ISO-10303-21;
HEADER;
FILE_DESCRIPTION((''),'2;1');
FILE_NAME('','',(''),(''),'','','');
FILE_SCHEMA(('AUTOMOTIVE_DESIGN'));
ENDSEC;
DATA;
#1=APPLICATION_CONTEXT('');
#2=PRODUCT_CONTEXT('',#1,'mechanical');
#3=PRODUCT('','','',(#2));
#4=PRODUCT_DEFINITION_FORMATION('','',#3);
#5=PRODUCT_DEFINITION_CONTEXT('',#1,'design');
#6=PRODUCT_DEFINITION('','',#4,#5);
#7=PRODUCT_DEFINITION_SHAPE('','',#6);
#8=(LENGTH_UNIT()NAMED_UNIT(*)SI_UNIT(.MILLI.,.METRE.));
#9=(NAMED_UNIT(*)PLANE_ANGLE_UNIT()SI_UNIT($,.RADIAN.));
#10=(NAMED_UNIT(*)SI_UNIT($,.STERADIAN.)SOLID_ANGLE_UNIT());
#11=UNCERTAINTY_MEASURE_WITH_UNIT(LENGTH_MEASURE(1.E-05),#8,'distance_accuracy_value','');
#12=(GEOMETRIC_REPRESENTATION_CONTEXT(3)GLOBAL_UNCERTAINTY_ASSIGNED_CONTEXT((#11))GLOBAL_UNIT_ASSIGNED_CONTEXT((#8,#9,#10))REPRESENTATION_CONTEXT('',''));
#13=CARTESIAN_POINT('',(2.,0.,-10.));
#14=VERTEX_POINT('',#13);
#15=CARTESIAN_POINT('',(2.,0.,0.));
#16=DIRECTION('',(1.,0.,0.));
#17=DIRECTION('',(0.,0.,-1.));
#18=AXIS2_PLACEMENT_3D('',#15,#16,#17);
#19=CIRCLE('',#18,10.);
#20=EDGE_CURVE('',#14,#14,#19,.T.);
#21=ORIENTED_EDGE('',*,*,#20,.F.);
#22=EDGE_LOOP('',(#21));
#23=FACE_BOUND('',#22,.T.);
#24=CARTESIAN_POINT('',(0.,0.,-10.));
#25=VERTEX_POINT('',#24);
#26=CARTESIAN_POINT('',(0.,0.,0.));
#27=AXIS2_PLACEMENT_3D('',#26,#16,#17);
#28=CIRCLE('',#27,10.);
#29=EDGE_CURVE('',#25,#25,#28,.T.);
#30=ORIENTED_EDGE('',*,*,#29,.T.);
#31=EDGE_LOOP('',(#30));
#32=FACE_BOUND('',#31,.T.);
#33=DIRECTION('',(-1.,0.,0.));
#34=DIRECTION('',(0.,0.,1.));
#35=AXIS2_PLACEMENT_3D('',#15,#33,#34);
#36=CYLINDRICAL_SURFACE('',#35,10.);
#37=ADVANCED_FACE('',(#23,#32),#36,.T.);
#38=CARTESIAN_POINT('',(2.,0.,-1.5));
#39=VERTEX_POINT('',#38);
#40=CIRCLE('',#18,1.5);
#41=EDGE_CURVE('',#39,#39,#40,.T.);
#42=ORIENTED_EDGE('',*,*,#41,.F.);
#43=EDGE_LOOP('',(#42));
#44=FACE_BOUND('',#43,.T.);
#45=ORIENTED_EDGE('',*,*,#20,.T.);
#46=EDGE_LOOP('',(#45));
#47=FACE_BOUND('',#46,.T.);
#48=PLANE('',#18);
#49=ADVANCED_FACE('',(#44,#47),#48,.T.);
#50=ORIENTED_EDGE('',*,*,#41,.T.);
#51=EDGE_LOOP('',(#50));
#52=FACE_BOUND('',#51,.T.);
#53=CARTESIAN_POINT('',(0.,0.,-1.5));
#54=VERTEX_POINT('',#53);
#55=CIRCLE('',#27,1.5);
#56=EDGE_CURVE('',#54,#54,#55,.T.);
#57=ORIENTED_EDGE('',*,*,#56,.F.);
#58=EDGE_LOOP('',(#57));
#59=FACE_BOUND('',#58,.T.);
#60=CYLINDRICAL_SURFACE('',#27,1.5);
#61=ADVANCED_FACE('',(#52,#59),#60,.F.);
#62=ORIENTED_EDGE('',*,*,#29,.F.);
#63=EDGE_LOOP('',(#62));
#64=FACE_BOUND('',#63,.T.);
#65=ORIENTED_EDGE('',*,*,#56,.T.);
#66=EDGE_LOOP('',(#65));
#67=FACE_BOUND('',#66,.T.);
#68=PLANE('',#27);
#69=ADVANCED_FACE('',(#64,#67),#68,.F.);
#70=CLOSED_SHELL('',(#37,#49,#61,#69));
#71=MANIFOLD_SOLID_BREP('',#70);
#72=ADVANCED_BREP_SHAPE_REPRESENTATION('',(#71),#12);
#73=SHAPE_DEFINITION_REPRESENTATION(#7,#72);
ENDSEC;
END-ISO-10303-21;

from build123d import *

# Parameters (mm, degrees)
SKETCH1_R           = 10
BOSS_EXTRUDE1_DEPTH = 2
SKETCH2_R           = 1.5
CUT_EXTRUDE1_DEPTH  = 3


with BuildPart() as part:
    # Sketch1 → Boss-Extrude1 (new body)
    with BuildSketch(Plane(origin=(0, 0, 0), x_dir=(0, 0, -1), z_dir=(1, 0, 0))):
        Circle(SKETCH1_R)
    extrude(amount=BOSS_EXTRUDE1_DEPTH)

    # Sketch2 → Cut-Extrude1 (cut, through all)
    with BuildSketch(Plane(origin=(2, 0, 0), x_dir=(0, 0, -1), z_dir=(1, 0, 0))):
        Circle(SKETCH2_R)
    extrude(amount=-CUT_EXTRUDE1_DEPTH, mode=Mode.SUBTRACT)


solid = part.part
